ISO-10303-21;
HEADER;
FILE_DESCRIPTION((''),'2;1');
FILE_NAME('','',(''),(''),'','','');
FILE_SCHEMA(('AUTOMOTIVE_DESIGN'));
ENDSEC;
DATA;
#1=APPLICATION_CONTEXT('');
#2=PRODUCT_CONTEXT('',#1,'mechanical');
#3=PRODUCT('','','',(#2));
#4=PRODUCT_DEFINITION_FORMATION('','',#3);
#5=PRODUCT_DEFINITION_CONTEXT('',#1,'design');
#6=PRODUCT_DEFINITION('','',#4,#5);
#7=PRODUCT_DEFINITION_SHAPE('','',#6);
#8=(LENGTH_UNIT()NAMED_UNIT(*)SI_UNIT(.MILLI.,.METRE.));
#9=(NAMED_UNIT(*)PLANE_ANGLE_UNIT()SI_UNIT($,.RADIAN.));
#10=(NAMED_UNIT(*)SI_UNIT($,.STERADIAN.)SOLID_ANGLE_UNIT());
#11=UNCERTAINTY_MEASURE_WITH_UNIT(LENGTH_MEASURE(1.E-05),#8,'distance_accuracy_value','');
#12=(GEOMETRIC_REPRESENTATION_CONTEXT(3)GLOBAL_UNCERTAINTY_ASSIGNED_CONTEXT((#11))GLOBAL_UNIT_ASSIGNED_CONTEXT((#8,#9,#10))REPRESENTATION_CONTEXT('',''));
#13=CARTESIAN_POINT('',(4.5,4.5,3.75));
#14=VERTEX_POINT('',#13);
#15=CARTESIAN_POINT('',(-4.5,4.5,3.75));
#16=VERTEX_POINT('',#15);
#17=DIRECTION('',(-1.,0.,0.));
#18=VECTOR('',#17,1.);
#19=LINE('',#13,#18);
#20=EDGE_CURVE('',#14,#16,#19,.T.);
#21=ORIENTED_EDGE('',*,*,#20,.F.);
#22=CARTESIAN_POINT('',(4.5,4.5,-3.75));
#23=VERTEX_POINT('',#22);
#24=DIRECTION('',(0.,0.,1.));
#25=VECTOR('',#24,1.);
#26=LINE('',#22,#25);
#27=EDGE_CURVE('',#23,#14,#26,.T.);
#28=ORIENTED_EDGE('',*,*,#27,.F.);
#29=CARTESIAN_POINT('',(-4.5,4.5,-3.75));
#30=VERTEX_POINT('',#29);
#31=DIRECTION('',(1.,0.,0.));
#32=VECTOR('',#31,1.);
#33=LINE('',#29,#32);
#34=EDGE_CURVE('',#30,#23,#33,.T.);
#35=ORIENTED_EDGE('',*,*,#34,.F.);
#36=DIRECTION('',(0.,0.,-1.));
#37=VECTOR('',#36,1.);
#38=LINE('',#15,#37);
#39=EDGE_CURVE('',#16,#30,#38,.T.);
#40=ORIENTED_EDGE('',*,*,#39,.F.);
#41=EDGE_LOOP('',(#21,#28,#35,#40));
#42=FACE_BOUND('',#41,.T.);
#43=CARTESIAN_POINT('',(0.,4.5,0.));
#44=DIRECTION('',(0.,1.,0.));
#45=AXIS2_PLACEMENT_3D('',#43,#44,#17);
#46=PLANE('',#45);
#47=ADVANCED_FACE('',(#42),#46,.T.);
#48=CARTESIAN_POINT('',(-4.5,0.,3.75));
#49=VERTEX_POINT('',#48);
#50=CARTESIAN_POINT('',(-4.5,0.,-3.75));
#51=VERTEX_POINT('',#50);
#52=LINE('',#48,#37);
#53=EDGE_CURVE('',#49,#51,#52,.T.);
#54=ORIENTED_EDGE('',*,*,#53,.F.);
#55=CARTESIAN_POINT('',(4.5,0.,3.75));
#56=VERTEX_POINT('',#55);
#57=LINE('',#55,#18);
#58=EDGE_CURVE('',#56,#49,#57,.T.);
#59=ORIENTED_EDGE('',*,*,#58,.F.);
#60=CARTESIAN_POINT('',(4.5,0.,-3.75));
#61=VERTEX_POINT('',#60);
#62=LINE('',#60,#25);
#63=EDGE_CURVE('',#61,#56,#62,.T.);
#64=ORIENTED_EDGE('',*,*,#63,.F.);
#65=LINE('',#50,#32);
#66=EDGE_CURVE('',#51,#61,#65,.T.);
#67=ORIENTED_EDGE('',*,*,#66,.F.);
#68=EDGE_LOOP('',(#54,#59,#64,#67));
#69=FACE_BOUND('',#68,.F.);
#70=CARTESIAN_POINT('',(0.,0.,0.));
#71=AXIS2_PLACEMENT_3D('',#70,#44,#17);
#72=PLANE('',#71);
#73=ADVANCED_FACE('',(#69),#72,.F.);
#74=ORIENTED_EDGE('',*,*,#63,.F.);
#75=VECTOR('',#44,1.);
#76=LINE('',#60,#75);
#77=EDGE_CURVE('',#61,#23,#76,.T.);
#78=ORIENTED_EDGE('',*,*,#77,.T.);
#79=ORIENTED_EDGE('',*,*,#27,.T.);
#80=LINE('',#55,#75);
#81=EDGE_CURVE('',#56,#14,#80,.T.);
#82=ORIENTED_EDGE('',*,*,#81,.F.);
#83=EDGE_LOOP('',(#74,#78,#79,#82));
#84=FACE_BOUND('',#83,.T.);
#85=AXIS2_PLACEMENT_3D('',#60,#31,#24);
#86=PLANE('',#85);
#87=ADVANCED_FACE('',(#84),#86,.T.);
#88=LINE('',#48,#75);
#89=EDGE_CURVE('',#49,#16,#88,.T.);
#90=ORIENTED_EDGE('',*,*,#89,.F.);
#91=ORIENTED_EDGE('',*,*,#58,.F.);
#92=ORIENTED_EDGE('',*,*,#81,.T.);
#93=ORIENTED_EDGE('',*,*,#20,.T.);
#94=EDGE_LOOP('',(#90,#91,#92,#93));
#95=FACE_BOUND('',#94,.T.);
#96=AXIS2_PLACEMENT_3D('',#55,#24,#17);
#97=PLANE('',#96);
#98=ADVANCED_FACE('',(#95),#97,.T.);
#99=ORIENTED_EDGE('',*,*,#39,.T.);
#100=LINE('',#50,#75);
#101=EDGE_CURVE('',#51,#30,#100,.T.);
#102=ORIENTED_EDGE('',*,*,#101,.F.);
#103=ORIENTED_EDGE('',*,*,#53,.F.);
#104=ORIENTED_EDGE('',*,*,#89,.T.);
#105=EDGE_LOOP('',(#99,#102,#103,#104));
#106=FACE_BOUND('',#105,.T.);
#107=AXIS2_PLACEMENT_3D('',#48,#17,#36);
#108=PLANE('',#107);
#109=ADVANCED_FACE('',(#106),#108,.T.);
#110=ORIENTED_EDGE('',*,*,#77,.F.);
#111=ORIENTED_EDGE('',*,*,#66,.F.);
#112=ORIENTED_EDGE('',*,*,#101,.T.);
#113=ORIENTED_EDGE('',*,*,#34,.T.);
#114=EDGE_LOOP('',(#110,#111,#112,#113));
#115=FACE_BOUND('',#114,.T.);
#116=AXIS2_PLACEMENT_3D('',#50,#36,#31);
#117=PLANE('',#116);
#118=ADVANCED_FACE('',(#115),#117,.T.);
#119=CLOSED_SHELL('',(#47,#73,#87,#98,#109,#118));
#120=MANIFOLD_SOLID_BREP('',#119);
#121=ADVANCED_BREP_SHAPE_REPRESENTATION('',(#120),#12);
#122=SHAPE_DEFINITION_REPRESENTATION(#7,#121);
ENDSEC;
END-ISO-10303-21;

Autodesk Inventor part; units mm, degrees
ref_plane "YZ Plane" through (0, 0, 0) normal (1, 0, 0) x (0, 1, 0)
ref_plane "XZ Plane" through (0, 0, 0) normal (0, 1, 0) x (-1, 0, 0)
ref_plane "XY Plane" through (0, 0, 0) normal (0, 0, 1) x (1, 0, 0)
sketch "Sketch1" plane through (0, 0, 0) normal (0, 1, 0) x (-1, 0, 0)
  line L0 (-4.5, 3.75) -> (4.5, 3.75)
  line L1 (4.5, 3.75) -> (4.5, -3.75)
  line L2 (4.5, -3.75) -> (-4.5, -3.75)
  line L3 (-4.5, -3.75) -> (-4.5, 3.75)
  line L4 (-4.5, 3.75) -> (4.5, -3.75) construction
  line L5 (4.5, 3.75) -> (-4.5, -3.75) construction
  point P0 (0, 0)
  dimension "d0" = 9
  dimension "d1" = 7.5
extrude "Extrusion1" add sketch "Sketch1" along normal blind 4.5
properties part number "Regulator-LT1965"
